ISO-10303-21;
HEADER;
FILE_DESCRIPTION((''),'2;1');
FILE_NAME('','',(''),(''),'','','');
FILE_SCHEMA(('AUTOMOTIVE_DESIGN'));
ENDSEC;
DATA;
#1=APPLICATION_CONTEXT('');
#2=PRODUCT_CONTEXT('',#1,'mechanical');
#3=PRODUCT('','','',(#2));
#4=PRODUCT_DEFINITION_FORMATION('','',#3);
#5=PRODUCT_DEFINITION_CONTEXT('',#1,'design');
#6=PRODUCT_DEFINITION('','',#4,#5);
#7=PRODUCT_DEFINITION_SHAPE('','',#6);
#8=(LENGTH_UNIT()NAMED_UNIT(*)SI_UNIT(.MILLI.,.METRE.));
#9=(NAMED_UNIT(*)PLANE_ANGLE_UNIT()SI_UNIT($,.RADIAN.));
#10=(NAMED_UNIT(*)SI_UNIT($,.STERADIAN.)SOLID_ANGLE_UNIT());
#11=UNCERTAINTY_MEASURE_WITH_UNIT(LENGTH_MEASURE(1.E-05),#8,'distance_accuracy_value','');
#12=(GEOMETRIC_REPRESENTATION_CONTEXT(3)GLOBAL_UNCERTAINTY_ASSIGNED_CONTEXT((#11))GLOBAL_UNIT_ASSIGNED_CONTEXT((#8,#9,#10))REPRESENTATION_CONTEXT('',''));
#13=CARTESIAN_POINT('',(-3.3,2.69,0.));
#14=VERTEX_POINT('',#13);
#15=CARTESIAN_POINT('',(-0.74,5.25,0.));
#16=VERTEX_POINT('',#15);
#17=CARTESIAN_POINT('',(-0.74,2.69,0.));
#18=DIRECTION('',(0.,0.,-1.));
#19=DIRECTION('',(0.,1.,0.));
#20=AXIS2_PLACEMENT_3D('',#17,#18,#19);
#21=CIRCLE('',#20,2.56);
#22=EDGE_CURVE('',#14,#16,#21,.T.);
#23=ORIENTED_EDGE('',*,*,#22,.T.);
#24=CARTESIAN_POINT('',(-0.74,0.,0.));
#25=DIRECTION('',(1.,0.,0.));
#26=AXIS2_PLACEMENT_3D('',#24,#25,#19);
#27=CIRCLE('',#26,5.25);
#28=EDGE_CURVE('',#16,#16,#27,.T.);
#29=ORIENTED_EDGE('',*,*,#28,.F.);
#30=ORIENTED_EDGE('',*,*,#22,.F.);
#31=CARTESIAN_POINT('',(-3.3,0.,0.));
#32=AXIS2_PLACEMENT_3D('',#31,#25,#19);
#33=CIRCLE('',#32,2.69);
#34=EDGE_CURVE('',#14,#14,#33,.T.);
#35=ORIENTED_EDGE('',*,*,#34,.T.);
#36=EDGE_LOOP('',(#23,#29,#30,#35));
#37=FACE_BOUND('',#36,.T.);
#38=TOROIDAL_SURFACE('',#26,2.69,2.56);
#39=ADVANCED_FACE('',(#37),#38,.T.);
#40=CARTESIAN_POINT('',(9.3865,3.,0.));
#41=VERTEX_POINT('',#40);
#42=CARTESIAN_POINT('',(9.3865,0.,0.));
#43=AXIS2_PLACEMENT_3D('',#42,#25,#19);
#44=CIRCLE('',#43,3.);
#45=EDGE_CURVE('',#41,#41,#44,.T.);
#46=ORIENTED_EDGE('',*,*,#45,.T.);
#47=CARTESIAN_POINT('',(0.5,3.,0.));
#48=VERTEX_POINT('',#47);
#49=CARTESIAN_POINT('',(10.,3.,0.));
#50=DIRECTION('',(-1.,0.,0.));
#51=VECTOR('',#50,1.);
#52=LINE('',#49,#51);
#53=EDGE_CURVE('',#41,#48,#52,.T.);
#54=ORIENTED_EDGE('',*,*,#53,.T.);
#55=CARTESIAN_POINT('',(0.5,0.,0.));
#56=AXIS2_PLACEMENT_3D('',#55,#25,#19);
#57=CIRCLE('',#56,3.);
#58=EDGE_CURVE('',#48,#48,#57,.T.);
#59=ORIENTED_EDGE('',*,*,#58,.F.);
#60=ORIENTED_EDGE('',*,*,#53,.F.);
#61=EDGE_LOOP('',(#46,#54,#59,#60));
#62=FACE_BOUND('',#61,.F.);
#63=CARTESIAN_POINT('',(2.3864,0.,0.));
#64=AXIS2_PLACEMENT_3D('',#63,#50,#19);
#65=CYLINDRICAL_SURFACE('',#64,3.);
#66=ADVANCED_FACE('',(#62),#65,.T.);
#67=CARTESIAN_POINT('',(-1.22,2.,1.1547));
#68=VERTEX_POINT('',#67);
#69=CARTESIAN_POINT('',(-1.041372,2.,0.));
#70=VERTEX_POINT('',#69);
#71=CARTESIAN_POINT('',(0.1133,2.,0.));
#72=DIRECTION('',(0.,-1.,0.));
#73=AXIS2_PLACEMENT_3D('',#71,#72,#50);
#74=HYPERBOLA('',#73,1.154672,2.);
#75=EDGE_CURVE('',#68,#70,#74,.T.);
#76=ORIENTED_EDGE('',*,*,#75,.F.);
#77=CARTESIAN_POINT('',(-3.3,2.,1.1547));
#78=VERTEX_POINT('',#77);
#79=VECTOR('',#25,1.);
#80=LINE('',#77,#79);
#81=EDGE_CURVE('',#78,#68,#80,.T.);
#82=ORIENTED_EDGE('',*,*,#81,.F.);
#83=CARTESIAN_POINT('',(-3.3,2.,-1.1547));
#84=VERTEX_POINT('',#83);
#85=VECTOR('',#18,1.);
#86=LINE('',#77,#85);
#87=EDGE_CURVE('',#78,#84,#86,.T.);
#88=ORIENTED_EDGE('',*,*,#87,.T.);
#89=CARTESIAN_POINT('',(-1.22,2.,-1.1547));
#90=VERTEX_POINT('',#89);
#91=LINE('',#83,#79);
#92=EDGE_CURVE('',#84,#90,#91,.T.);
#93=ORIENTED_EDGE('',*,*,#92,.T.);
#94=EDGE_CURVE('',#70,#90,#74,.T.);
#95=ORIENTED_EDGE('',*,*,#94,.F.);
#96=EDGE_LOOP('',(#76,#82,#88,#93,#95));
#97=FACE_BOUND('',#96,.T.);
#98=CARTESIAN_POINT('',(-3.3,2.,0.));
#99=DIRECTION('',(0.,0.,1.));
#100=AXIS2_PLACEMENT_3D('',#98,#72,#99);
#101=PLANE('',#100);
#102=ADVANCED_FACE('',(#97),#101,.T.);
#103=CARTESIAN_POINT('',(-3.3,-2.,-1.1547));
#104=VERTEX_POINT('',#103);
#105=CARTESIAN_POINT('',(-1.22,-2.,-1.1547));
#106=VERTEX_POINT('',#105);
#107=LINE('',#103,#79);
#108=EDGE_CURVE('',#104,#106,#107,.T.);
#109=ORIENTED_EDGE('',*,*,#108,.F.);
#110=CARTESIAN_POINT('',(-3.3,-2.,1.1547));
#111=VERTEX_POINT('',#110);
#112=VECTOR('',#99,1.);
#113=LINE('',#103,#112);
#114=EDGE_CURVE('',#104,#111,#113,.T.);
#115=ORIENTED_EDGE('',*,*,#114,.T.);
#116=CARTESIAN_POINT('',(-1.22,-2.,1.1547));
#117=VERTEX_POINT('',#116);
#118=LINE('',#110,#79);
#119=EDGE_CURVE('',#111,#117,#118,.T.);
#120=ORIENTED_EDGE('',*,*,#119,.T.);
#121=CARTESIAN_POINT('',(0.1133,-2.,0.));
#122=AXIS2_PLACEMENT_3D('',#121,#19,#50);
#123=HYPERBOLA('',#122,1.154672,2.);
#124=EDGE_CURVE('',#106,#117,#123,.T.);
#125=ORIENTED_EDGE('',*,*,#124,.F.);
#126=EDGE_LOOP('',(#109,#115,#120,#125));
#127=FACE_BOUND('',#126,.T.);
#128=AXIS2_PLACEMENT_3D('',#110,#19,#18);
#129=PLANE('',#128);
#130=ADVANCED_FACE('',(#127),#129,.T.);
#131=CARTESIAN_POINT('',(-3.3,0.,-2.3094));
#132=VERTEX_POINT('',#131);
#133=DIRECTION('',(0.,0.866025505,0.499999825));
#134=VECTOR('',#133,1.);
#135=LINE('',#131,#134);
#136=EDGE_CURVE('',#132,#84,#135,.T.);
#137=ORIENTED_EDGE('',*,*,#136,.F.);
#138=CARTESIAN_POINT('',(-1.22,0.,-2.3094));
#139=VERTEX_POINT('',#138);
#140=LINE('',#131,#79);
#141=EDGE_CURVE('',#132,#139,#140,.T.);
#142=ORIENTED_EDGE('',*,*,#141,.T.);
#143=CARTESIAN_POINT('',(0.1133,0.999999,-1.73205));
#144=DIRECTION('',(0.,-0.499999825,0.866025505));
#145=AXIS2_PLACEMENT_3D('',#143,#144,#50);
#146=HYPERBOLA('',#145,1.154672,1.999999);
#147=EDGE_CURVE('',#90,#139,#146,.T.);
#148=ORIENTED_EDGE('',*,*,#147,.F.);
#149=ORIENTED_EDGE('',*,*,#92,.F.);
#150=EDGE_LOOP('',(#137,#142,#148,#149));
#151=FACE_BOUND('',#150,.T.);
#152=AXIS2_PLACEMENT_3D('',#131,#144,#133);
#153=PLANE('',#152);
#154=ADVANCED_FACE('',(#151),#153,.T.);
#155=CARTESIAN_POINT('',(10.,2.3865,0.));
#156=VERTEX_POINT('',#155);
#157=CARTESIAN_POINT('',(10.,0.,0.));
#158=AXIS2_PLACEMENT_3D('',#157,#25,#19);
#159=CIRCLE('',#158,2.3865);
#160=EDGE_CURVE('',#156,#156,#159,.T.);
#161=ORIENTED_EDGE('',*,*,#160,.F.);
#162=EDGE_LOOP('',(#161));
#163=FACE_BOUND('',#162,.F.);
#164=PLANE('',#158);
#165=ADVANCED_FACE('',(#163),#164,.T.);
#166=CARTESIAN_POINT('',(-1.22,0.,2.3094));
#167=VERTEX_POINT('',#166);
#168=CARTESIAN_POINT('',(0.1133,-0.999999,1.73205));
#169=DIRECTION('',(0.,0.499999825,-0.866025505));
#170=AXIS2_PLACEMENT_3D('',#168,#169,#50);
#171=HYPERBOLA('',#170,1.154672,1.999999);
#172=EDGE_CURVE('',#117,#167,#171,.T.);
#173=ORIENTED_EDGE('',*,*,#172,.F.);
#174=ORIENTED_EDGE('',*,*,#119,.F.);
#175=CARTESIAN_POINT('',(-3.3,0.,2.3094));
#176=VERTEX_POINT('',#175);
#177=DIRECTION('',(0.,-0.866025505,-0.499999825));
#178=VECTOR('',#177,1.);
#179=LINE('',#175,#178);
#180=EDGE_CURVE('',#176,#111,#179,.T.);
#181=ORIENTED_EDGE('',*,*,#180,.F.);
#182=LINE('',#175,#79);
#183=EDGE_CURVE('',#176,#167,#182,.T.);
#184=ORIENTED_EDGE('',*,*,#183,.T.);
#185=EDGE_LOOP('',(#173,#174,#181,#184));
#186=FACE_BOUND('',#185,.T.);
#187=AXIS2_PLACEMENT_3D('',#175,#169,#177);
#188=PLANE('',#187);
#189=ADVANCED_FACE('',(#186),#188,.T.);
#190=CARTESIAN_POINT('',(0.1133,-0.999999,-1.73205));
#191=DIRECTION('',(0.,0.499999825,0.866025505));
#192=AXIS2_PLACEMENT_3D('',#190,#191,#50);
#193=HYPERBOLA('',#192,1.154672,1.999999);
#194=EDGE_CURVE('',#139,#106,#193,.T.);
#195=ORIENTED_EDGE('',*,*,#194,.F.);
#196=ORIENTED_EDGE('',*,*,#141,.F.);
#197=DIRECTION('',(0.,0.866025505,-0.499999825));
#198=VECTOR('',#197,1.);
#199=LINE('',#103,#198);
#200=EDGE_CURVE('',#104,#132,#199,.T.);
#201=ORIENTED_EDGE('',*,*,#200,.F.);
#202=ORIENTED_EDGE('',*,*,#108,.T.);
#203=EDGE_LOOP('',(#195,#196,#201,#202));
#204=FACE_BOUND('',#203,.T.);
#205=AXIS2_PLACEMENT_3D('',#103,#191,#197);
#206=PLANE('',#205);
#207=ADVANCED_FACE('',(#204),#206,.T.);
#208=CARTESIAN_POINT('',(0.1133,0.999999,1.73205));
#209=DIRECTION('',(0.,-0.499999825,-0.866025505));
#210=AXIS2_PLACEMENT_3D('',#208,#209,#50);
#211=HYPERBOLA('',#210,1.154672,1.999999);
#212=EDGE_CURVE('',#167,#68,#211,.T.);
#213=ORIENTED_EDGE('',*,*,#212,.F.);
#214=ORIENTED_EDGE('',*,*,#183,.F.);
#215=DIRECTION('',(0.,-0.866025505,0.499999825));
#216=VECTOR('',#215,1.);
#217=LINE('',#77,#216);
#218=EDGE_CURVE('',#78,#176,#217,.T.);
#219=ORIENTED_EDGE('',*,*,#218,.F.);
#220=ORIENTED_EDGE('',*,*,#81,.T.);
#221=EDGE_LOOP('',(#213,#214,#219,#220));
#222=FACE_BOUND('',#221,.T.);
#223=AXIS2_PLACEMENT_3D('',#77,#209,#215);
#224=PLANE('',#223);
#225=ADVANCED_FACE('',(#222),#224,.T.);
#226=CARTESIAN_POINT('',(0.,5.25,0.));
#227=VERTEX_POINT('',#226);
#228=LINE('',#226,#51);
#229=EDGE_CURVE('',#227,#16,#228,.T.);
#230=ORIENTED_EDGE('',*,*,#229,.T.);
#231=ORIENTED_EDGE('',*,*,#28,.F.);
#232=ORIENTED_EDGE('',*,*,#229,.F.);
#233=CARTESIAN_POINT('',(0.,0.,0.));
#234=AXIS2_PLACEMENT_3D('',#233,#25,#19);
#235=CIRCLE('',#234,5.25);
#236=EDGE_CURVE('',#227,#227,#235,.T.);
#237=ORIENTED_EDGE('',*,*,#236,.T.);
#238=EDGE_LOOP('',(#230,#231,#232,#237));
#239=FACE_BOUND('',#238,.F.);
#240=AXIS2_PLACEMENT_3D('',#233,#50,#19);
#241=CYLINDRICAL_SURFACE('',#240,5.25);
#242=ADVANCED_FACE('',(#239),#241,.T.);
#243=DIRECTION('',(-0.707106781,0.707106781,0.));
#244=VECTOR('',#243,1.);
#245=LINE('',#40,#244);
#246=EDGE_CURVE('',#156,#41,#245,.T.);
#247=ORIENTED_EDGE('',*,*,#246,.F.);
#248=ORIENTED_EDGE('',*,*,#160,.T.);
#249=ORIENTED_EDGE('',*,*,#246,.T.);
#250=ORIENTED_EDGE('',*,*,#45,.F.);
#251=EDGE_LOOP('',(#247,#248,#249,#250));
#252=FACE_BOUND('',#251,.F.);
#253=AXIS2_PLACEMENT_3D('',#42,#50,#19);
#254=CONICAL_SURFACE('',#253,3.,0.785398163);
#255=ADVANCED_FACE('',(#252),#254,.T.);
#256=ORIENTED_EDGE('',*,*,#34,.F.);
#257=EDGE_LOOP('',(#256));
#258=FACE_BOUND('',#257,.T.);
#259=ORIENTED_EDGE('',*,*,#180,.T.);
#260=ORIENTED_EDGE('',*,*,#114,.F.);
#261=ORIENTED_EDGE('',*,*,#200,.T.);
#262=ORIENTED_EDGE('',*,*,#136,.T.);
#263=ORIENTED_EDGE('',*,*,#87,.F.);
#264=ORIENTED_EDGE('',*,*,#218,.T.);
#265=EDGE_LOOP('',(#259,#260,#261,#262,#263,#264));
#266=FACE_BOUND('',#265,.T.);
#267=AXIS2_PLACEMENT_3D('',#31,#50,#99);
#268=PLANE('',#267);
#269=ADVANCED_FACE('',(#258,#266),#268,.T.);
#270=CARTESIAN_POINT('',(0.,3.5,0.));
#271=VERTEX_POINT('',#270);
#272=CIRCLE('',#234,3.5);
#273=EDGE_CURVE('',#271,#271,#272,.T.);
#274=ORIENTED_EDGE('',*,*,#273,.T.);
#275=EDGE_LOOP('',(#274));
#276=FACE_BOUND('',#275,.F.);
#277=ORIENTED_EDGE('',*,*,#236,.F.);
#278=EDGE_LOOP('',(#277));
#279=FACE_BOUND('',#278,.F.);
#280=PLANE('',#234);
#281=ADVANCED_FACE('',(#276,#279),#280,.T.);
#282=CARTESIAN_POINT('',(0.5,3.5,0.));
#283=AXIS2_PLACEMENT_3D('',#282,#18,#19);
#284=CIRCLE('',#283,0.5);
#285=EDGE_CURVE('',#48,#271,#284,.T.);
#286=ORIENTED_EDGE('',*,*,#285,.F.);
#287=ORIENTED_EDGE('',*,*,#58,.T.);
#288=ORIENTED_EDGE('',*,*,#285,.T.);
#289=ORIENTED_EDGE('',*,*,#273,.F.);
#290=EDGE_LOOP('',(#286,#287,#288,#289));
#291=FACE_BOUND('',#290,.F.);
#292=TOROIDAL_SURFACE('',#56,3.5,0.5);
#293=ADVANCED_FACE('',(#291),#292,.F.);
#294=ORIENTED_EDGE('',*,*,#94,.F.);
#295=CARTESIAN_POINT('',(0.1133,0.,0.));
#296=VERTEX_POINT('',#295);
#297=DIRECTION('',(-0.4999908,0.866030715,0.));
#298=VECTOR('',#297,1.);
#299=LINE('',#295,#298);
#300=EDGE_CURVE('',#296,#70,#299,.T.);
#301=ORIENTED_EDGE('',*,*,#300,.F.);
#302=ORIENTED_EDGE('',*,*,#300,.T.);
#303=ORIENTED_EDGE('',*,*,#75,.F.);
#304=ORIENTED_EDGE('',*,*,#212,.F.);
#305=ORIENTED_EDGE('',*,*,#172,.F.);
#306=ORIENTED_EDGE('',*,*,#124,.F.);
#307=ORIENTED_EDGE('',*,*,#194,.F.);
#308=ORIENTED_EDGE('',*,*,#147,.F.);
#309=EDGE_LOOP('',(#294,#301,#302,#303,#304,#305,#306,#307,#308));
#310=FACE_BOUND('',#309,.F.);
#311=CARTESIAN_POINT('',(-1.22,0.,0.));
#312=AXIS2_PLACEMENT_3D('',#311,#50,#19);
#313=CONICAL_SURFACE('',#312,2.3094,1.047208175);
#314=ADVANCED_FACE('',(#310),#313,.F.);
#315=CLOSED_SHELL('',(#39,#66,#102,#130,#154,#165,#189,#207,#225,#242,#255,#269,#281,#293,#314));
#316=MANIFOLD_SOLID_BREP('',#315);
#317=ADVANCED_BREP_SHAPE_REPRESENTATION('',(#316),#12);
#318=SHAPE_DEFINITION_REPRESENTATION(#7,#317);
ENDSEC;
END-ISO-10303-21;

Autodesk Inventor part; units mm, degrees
ref_plane "YZ Plane" through (0, 0, 0) normal (1, 0, 0) x (0, 1, 0)
ref_plane "XZ Plane" through (0, 0, 0) normal (0, 1, 0) x (-1, 0, 0)
sketch "Boceto1" plane through (0, 0, 0) normal (0, 0, 1) x (1, 0, 0)
  line L0 (0.1133, 0) -> (10, 0)
  line L1 (10, 0) -> (10, 3)
  line L2 (10, 3) -> (3, 3)
  line L3 (3, 3) -> (2.3864, 3)
  line L4 (2.3864, 3) -> (0, 3)
  line L5 (0, 3) -> (0, 5.25)
  line L6 (0, 5.25) -> (-3.3, 5.25)
  line L7 (-3.3, 5.25) -> (-3.3, 2.3094)
  line L8 (-3.3, 2.3094) -> (-1.22, 2.3094)
  line L9 (-1.22, 2.3094) -> (0.1133, 0)
  line L10 (-5.96, 0) -> (12.66, 0) projected
  line L11 (0, -1.05) -> (0, 6.3) projected
  line L12 (3, 3) -> (0, 3) construction
  dimension "d1" = 7
  dimension "d2" = 0.6136
  dimension "d3" = 3.3
  dimension "d4" = 2.08
  dimension "d5" = 60
  dimension "d6" = 6
  dimension "d7" = 6
  dimension "d8" = 4.6188
  dimension "d9" = 10.5
  dimension "d26" = 10
revolve "Cuerpo" add sketch "Boceto1" angle 360 about axis through (0.1133, 0, 0) along (1, 0, 0) contours L9 L11 L4 L3 L2 L1 L0 | L9 L8 L7 L6 L5 L11
sketch "Boceto2" plane through (-3.3, 0, 0) normal (-1, 0, 0) x (0, 0, 1)
  circle A0 centre (0, 0) radius 2.3094 projected
  line L0 (0, -7.35) -> (0, 7.35) projected
  line L1 (-7.35, 0) -> (7.35, 0) projected
  line L2 (2.3094, 0) -> (1.1547, -2)
  line L3 (1.1547, -2) -> (-1.1547, -2)
  line L4 (-1.1547, -2) -> (-2.3094, 0)
  line L5 (-2.3094, 0) -> (-1.1547, 2)
  line L6 (-1.1547, 2) -> (1.1547, 2)
  line L7 (1.1547, 2) -> (2.3094, 0)
extrude "Ranura" add sketch "Boceto2" against normal up to next contours L7 A0 | A0 L2 | L6 L0 A0 | A0 L0 L3 | L0 L6 A0 | A0 L3 L0 | L4 A0 | A0 L5
fillet "Empalme1" radius 2.56 1 edges at (-3.3, -5.25, 0)
thread "Rosca" size "M6x1" class "6g" standard "ISO Metric profile" length 7
chamfer "Chaflán1" distance 0.6135 distance2 0.6135 1 edges at (10, -3, 0) measured on face at (10, 0.705, 0.3049)
ref_plane "Work Plane1" through (29, 0, 0) normal (0, -1, 0) x (1, 0, 0)
fillet "Empalme2" radius 0.5 1 edges at (0, -3, 0)
equation "\"d1\" = GEL"
equation "\"d3\" = KOH"
equation "\"d4\" = INTI"
equation "\"d6\" = GD"
equation "\"d7\" = BDM"
equation "\"d8\" = 1.1547 * SW"
equation "\"d9\" = KOD"
equation "\"d26\" = NLG"
equation "\"d17\" = RR"
equation "\"d13\" = GEL"
equation "\"d15\" = -0.5 * SPD + 0.5 * GD"
equation "\"d16\" = GUL"
equation "\"d30\" = R"
equation "\"GD\" = NND"
equation "\"NLG\" = 10"
equation "\"GEL\" = 7"
equation "\"KOD\" = 10.5"
equation "\"KOH\" = 3.3"
equation "\"INTI\" = 2.08"
equation "\"GAL\" = 0.61345 * PTC"
equation "\"GUL\" = 0.61345 * PTC"
equation "\"BDM\" = NND"
equation "\"SW\" = 4"
equation "\"RR\" = 2.56"
equation "\"SPD\" = NND - 1.2269 * PTC"
equation "\"R\" = 0.5"
equation "\"TOA\" = 30deg"
equation "\"GD1\" = THREADDIA - 1.2269 * PTC"
equation "\"THREADDIA\" = 6"
equation "\"PTC\" = 1"
equation "\"NND\" = 6"
equation "\"KOH1\" = 0.74"
equation "\"E0\" = 4.583"
properties part number "ISO 7380-1 - M6 x 10" material "Acero"
